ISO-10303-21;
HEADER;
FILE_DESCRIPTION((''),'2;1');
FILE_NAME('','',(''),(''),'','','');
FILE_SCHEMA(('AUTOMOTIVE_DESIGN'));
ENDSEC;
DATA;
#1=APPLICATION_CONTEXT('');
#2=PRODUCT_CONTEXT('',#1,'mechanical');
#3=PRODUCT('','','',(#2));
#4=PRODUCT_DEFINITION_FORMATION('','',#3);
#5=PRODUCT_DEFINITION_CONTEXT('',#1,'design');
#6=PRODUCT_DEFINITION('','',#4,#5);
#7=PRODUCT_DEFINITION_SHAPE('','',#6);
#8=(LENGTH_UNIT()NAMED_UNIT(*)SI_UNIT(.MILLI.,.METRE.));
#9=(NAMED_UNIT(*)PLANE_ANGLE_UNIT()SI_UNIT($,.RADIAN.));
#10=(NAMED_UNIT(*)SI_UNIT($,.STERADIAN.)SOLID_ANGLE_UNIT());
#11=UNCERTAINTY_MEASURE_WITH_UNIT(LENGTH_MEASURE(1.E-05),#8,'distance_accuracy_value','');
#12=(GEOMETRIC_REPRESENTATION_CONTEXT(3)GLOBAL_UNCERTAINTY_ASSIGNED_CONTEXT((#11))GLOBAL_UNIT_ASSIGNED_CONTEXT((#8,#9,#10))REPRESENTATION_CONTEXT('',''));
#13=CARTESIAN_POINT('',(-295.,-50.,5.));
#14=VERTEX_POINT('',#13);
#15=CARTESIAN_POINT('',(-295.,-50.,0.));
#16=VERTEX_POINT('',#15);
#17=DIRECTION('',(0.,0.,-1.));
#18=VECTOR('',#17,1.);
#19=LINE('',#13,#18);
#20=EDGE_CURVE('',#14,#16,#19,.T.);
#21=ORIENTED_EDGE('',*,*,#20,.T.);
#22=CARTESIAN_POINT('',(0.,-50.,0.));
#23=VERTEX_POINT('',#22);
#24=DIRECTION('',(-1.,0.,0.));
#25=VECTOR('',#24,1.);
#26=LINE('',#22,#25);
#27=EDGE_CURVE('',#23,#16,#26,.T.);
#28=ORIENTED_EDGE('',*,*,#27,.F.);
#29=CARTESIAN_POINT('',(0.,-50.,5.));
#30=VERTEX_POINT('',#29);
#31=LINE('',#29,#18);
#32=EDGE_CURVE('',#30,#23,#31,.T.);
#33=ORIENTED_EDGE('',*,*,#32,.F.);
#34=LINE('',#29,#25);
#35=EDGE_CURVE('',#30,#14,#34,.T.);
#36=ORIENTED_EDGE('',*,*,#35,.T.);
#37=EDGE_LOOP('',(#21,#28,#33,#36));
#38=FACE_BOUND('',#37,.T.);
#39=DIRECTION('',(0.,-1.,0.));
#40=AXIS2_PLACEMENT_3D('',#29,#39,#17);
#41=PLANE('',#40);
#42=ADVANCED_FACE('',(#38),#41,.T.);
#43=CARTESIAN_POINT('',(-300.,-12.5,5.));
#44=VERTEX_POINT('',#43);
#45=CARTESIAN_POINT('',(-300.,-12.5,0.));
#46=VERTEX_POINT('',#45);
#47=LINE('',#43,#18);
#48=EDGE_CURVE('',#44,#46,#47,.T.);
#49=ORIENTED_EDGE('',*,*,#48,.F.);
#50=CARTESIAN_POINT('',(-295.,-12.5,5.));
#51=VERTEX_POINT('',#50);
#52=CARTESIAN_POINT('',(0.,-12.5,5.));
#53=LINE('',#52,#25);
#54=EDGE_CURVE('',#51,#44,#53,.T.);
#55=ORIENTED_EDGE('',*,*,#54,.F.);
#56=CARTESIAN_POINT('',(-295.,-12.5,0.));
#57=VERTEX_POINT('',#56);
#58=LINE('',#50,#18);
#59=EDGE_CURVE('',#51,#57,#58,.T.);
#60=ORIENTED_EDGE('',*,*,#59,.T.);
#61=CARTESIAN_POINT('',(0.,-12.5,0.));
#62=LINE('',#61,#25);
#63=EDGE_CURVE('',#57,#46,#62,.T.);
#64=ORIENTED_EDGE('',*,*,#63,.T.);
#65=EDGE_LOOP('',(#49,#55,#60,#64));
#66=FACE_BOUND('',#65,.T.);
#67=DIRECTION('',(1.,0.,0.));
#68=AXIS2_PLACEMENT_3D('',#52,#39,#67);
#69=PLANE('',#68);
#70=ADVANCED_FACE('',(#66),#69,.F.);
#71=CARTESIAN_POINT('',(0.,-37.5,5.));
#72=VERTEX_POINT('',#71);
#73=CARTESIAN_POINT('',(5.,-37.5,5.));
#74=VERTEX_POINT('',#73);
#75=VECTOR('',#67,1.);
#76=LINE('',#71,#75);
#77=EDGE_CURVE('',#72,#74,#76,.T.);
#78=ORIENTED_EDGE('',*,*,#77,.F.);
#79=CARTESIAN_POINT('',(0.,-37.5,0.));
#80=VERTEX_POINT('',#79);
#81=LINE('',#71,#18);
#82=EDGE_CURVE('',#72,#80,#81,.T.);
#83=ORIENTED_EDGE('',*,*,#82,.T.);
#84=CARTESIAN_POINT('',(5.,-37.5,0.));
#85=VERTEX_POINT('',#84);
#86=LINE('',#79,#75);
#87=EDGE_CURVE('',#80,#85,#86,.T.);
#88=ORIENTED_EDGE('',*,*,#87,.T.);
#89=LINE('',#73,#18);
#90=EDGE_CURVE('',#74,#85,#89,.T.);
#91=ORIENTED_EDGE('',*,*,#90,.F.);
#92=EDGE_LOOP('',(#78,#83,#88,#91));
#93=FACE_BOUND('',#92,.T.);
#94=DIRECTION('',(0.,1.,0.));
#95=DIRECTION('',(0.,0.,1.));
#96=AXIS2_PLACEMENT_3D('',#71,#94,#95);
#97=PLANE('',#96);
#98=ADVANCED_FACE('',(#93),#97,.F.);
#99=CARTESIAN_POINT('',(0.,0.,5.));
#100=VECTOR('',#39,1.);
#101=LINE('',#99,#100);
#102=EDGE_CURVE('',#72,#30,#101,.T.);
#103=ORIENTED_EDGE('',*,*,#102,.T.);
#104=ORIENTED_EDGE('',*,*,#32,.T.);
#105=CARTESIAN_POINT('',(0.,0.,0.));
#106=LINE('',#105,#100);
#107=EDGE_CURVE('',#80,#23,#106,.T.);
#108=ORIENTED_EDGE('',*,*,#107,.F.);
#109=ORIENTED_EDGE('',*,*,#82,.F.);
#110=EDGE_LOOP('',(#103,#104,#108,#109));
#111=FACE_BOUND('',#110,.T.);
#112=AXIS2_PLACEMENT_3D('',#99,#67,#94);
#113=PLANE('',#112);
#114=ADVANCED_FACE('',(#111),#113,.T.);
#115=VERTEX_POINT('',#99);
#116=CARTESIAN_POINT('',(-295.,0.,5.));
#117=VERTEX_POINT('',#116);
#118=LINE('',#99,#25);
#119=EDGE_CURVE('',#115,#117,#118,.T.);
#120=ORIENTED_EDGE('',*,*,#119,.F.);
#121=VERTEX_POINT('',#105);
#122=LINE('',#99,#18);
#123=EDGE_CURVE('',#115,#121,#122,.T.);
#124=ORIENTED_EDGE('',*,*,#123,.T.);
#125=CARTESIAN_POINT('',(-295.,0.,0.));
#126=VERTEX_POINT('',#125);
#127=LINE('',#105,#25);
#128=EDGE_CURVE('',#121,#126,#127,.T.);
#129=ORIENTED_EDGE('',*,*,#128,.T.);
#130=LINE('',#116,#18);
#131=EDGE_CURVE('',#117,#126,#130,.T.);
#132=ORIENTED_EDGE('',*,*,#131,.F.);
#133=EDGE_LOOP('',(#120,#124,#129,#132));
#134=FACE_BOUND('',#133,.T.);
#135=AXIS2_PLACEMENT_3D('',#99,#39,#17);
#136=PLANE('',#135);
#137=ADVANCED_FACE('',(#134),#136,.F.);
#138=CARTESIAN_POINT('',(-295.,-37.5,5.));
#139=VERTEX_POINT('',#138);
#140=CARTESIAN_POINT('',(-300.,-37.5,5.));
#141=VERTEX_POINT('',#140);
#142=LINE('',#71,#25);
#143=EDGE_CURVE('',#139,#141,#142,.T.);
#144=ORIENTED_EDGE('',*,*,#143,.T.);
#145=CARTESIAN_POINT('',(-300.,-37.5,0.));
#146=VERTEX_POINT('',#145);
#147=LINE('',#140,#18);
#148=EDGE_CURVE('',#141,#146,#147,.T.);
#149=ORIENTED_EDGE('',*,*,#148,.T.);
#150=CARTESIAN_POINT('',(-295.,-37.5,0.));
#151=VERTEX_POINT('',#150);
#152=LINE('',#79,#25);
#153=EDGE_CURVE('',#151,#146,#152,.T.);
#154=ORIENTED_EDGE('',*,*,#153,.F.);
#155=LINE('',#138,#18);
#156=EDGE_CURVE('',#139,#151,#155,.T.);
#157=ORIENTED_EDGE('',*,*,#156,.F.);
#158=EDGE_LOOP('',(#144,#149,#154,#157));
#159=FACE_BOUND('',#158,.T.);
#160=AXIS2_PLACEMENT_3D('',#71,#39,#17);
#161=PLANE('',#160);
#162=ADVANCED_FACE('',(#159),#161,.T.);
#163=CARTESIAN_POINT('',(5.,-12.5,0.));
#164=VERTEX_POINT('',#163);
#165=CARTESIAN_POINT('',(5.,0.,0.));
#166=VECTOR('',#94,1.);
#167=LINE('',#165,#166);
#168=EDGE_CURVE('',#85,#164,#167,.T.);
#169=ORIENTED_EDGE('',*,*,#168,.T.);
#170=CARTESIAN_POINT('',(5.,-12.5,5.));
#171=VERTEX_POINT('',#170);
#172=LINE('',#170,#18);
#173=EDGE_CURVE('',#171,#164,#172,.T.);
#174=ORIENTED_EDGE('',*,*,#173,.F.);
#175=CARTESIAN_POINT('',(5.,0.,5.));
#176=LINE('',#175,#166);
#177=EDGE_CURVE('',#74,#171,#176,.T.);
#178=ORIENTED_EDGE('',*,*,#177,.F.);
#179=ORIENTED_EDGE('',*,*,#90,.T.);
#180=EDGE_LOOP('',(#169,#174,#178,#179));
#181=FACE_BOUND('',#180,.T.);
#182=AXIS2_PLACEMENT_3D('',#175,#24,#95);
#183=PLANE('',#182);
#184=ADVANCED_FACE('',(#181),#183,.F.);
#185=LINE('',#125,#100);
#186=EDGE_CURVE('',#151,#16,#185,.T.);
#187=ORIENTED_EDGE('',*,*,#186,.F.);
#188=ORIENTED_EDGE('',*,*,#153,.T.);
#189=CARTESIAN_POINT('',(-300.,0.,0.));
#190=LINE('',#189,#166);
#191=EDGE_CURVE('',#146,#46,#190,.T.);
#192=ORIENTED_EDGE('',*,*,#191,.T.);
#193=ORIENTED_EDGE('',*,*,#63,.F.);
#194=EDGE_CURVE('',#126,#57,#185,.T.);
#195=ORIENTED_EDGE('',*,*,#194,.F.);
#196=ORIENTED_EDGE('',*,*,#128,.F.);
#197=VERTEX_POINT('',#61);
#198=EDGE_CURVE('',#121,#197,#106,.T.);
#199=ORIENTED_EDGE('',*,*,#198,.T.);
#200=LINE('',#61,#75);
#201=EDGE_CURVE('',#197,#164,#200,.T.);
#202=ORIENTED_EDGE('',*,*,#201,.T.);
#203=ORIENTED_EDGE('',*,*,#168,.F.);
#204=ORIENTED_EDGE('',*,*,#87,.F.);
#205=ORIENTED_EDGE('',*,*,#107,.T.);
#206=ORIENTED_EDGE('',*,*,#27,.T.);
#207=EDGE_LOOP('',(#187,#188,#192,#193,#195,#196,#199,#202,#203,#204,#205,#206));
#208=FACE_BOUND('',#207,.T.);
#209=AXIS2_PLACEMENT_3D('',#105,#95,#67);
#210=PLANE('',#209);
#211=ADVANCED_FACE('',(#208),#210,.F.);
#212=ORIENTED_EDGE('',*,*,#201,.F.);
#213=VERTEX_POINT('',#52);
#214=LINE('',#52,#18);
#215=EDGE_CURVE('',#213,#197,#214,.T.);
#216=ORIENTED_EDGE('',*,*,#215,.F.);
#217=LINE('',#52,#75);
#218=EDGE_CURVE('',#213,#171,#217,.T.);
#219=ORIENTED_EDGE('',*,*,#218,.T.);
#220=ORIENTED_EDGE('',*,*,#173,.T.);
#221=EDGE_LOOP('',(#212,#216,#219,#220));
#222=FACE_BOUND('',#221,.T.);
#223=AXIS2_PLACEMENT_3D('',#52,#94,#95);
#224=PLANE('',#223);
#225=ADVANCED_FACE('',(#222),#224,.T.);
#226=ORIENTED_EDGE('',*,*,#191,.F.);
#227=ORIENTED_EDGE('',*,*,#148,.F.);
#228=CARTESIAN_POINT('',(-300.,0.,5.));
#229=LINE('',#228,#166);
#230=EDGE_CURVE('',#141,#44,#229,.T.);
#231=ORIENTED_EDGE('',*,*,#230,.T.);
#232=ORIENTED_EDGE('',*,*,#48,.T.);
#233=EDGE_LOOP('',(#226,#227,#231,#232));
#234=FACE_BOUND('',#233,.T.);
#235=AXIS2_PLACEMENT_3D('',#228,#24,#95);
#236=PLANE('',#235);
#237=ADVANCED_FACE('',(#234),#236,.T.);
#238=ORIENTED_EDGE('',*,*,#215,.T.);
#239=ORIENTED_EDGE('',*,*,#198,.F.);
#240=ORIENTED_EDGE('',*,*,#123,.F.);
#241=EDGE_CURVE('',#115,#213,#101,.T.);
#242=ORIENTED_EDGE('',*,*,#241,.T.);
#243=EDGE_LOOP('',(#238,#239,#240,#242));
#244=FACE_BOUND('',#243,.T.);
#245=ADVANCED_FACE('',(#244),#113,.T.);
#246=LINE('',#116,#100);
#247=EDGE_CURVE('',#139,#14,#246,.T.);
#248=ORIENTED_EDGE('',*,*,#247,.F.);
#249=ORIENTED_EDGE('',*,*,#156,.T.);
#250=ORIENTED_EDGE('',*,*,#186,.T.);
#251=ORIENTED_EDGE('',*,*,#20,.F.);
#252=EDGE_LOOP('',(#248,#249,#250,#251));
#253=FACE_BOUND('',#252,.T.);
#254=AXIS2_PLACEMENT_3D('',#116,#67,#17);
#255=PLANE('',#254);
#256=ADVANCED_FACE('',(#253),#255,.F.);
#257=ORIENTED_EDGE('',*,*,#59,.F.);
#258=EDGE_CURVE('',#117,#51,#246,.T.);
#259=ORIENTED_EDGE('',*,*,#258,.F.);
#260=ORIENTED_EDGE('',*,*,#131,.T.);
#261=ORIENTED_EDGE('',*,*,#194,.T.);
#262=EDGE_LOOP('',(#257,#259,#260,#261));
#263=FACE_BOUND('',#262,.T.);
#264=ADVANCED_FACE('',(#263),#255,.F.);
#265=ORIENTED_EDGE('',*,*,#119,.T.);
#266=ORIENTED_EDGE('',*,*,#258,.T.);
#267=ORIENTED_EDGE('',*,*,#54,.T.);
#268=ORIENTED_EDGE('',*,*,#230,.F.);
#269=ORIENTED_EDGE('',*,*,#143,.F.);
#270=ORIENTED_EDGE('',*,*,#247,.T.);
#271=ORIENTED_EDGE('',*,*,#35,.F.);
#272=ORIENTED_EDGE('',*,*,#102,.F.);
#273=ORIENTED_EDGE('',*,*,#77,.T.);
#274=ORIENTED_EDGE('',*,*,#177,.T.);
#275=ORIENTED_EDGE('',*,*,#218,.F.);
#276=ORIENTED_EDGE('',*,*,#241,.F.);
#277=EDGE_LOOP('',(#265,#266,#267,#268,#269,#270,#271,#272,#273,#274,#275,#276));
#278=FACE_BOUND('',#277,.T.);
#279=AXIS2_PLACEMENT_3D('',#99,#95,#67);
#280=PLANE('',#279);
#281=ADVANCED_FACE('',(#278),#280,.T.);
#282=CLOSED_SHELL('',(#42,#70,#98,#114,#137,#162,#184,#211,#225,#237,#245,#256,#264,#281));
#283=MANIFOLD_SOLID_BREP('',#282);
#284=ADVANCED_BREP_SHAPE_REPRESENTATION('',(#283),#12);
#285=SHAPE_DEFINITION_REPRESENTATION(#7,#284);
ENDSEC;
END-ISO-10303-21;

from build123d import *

# Parameters (mm, degrees)
SKETCH1_W           = 295
SKETCH1_H           = 50
SKETCH1_W_2         = 5
SKETCH1_H_2         = 25
BOSS_EXTRUDE1_DEPTH = 5


with BuildPart() as part:
    # Sketch1 → Boss-Extrude1 (new body)
    with BuildSketch(Plane.XY):
        with Locations((-147.5, -25)):
            Rectangle(SKETCH1_W, SKETCH1_H)
        with Locations((2.5, -25)):
            Rectangle(SKETCH1_W_2, SKETCH1_H_2)
        with Locations((-297.5, -25)):
            Rectangle(SKETCH1_W_2, SKETCH1_H_2)
    extrude(amount=BOSS_EXTRUDE1_DEPTH)


solid = part.part
